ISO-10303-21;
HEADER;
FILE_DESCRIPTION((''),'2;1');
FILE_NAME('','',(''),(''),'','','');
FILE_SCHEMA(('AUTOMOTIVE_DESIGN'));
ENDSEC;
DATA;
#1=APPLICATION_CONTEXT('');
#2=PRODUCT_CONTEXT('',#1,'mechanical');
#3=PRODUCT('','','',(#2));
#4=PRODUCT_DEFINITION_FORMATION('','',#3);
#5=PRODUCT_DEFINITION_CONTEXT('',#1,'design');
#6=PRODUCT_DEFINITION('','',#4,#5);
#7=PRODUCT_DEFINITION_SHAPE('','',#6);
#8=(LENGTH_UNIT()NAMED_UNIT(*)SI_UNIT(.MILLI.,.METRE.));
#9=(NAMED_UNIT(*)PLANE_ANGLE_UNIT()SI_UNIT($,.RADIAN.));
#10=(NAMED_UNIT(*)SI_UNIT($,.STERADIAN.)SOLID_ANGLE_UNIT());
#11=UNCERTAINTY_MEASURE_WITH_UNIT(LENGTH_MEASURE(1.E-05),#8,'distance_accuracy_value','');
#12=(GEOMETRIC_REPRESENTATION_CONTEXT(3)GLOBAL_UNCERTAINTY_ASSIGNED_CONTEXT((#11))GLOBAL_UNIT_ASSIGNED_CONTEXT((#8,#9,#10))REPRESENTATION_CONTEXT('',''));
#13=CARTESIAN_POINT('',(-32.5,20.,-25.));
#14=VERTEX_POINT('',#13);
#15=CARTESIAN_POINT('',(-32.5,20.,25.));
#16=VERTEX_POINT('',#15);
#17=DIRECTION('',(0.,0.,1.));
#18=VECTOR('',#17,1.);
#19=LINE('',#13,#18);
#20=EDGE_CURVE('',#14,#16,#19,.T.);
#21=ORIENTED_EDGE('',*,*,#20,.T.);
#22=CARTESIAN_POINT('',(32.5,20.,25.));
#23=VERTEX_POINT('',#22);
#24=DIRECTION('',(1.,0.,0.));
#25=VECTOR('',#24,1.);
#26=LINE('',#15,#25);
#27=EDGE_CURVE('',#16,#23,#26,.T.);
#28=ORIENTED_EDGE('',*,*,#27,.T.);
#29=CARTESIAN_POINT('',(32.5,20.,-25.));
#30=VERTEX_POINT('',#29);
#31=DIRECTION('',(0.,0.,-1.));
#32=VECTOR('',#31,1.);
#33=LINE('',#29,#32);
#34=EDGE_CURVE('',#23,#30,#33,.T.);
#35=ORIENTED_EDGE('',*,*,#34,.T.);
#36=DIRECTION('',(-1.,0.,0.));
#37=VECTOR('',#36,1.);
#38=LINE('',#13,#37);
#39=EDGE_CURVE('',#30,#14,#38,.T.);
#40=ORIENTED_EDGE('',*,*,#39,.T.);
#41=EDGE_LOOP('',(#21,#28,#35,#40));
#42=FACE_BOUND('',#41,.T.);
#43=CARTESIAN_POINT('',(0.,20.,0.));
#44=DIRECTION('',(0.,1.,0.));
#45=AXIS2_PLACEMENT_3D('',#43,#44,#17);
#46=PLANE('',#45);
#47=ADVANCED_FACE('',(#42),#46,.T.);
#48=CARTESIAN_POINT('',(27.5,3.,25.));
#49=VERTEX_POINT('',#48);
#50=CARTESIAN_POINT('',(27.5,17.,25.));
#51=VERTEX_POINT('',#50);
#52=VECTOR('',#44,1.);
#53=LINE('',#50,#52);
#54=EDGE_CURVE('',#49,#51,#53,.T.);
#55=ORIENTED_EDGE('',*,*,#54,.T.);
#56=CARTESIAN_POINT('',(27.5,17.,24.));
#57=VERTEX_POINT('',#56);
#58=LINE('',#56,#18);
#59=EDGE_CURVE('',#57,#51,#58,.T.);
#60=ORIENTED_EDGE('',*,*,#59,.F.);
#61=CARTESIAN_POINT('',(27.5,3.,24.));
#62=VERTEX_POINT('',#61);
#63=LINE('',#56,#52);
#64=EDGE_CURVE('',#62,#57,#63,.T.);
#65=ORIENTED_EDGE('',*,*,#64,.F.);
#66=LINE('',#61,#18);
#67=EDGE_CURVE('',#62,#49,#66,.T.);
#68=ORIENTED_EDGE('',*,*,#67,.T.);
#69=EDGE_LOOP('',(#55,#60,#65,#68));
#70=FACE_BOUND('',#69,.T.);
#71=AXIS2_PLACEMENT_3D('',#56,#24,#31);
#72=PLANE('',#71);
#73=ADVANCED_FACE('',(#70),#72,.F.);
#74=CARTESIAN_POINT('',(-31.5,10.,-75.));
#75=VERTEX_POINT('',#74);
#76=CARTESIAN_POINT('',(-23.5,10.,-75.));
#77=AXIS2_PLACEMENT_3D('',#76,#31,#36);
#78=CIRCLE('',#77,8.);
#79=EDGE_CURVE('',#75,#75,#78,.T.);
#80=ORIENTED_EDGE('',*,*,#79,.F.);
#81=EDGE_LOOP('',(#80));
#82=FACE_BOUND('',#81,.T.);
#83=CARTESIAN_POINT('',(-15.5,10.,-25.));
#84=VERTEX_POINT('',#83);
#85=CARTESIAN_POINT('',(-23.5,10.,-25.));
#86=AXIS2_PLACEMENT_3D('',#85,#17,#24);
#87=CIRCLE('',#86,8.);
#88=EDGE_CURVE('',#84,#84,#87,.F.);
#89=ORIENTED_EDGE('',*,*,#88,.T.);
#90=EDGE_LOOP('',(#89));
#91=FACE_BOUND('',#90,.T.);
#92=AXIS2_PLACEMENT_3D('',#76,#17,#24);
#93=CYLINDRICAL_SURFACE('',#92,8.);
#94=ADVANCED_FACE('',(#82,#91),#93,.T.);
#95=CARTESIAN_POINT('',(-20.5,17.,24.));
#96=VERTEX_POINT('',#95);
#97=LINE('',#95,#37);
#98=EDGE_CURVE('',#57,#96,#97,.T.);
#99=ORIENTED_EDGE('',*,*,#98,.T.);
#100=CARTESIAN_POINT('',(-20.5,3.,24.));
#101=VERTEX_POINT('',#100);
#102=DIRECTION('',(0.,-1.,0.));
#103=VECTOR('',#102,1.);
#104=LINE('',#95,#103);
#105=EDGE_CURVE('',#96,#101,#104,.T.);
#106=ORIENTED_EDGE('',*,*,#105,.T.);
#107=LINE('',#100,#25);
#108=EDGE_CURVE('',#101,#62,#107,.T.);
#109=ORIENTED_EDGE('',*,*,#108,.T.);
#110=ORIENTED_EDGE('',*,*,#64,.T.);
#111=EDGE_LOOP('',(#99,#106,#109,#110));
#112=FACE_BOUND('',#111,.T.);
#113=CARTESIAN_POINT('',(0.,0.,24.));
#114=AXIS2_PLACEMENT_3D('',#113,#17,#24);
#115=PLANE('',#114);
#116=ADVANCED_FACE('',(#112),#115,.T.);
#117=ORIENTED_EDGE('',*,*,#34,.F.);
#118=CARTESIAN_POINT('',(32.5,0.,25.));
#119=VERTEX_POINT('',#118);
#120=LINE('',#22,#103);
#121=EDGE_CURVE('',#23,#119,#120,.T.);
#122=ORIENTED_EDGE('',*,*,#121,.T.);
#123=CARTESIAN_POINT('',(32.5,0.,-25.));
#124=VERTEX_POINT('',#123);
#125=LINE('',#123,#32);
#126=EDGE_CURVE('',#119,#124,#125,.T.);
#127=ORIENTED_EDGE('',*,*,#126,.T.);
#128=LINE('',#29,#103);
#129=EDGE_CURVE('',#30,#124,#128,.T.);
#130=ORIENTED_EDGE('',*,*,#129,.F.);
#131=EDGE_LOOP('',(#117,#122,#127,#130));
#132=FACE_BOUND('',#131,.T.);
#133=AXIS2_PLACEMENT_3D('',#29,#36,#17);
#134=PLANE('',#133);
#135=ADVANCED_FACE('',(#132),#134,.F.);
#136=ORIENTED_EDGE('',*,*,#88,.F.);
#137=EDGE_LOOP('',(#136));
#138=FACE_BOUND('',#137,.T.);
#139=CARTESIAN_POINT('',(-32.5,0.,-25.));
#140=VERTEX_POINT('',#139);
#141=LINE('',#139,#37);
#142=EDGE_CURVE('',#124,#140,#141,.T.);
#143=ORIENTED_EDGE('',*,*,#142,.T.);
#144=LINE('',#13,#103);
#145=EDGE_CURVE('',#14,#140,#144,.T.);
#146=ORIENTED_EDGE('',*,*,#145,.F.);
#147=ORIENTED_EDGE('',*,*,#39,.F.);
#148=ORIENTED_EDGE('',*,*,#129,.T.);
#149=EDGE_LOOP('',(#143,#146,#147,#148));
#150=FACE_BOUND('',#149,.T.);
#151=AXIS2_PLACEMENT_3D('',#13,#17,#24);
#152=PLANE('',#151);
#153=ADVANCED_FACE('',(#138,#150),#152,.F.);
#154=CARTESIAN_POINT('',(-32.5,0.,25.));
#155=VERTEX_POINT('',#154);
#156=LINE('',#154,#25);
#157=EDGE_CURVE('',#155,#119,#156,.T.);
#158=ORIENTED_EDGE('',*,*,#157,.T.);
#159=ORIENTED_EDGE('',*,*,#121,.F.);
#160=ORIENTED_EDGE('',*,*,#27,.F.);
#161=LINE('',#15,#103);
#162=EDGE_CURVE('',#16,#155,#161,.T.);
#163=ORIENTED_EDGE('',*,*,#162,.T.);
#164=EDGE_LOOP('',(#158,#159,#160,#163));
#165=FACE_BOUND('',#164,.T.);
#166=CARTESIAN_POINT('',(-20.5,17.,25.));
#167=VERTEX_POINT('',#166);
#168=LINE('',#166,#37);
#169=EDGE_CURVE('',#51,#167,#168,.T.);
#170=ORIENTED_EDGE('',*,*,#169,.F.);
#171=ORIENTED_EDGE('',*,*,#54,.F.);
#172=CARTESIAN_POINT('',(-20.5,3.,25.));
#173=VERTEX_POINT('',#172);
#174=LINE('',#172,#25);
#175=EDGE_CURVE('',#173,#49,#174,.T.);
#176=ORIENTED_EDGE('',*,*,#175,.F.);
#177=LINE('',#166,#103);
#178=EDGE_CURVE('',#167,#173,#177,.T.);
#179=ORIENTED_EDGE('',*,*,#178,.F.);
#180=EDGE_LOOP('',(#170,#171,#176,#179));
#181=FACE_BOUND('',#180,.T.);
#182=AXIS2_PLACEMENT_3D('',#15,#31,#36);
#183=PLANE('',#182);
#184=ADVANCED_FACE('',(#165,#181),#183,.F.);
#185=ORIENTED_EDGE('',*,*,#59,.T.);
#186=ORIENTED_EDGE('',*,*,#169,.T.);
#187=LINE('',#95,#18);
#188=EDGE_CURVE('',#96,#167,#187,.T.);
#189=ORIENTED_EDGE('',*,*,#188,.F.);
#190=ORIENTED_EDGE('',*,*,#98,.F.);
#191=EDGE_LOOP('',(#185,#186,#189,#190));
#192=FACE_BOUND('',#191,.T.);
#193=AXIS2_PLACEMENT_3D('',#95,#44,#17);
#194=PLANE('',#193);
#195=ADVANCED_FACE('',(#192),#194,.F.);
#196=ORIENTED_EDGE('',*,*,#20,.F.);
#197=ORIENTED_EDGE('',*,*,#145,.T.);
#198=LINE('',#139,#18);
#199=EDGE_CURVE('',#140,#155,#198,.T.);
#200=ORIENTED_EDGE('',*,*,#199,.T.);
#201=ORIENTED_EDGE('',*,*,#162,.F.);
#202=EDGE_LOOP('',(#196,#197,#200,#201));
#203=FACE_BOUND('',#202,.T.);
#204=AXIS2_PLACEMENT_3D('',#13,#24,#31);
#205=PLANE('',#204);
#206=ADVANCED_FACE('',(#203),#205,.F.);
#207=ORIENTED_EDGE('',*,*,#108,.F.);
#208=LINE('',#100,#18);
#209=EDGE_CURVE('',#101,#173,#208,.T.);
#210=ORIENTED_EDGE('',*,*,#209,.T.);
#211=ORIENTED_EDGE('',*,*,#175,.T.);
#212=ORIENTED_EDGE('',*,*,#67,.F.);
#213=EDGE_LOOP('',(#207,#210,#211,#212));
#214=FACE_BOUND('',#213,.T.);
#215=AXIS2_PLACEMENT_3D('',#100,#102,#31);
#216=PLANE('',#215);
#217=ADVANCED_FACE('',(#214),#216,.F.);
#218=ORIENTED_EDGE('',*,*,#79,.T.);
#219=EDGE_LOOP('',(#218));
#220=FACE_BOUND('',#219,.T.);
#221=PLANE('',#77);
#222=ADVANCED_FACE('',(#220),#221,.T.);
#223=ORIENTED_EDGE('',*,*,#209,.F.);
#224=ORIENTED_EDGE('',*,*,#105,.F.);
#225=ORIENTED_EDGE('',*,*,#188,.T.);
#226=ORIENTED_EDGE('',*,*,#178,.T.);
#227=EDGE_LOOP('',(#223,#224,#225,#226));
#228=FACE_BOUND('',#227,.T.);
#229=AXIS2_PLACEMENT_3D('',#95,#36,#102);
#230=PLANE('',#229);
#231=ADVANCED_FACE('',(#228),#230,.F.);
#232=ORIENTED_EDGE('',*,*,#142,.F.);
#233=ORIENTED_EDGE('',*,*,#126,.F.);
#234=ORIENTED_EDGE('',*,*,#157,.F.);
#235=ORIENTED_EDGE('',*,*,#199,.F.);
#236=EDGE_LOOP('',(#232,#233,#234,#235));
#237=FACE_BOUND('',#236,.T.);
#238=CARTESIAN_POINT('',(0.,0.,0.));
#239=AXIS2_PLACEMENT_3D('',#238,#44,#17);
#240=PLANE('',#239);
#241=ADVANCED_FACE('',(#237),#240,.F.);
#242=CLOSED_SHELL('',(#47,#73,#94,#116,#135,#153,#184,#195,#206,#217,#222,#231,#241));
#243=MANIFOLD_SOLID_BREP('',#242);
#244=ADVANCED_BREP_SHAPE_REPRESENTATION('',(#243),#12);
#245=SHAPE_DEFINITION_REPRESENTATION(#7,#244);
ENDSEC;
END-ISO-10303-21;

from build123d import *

# Parameters (mm, degrees)
SKETCH2_W           = 65
SKETCH2_H           = 50
BOSS_EXTRUDE1_DEPTH = 20
SKETCH4_W           = 48
SKETCH4_H           = 14
CUT_EXTRUDE1_DEPTH  = 1
SKETCH5_R           = 8
BOSS_EXTRUDE2_DEPTH = 50


with BuildPart() as part:
    # Sketch2 → Boss-Extrude1 (new body)
    with BuildSketch(Plane(origin=(0, 0, 0), x_dir=(1, 0, 0), z_dir=(0, 1, 0))):
        Rectangle(SKETCH2_W, SKETCH2_H)
    extrude(amount=BOSS_EXTRUDE1_DEPTH)

    # Sketch4 → Cut-Extrude1 (cut)
    with BuildSketch(Plane.XY.offset(25)):
        with Locations((3.5, 10)):
            Rectangle(SKETCH4_W, SKETCH4_H)
    extrude(amount=-CUT_EXTRUDE1_DEPTH, mode=Mode.SUBTRACT)

    # Sketch5 → Boss-Extrude2 (add)
    with BuildSketch(Plane(origin=(0, 0, -25), x_dir=(-1, 0, 0), z_dir=(0, 0, -1))):
        with Locations(Location((23.5, 10, 0), (0, 0, 180))):
            Circle(SKETCH5_R)
    extrude(amount=BOSS_EXTRUDE2_DEPTH)


solid = part.part
